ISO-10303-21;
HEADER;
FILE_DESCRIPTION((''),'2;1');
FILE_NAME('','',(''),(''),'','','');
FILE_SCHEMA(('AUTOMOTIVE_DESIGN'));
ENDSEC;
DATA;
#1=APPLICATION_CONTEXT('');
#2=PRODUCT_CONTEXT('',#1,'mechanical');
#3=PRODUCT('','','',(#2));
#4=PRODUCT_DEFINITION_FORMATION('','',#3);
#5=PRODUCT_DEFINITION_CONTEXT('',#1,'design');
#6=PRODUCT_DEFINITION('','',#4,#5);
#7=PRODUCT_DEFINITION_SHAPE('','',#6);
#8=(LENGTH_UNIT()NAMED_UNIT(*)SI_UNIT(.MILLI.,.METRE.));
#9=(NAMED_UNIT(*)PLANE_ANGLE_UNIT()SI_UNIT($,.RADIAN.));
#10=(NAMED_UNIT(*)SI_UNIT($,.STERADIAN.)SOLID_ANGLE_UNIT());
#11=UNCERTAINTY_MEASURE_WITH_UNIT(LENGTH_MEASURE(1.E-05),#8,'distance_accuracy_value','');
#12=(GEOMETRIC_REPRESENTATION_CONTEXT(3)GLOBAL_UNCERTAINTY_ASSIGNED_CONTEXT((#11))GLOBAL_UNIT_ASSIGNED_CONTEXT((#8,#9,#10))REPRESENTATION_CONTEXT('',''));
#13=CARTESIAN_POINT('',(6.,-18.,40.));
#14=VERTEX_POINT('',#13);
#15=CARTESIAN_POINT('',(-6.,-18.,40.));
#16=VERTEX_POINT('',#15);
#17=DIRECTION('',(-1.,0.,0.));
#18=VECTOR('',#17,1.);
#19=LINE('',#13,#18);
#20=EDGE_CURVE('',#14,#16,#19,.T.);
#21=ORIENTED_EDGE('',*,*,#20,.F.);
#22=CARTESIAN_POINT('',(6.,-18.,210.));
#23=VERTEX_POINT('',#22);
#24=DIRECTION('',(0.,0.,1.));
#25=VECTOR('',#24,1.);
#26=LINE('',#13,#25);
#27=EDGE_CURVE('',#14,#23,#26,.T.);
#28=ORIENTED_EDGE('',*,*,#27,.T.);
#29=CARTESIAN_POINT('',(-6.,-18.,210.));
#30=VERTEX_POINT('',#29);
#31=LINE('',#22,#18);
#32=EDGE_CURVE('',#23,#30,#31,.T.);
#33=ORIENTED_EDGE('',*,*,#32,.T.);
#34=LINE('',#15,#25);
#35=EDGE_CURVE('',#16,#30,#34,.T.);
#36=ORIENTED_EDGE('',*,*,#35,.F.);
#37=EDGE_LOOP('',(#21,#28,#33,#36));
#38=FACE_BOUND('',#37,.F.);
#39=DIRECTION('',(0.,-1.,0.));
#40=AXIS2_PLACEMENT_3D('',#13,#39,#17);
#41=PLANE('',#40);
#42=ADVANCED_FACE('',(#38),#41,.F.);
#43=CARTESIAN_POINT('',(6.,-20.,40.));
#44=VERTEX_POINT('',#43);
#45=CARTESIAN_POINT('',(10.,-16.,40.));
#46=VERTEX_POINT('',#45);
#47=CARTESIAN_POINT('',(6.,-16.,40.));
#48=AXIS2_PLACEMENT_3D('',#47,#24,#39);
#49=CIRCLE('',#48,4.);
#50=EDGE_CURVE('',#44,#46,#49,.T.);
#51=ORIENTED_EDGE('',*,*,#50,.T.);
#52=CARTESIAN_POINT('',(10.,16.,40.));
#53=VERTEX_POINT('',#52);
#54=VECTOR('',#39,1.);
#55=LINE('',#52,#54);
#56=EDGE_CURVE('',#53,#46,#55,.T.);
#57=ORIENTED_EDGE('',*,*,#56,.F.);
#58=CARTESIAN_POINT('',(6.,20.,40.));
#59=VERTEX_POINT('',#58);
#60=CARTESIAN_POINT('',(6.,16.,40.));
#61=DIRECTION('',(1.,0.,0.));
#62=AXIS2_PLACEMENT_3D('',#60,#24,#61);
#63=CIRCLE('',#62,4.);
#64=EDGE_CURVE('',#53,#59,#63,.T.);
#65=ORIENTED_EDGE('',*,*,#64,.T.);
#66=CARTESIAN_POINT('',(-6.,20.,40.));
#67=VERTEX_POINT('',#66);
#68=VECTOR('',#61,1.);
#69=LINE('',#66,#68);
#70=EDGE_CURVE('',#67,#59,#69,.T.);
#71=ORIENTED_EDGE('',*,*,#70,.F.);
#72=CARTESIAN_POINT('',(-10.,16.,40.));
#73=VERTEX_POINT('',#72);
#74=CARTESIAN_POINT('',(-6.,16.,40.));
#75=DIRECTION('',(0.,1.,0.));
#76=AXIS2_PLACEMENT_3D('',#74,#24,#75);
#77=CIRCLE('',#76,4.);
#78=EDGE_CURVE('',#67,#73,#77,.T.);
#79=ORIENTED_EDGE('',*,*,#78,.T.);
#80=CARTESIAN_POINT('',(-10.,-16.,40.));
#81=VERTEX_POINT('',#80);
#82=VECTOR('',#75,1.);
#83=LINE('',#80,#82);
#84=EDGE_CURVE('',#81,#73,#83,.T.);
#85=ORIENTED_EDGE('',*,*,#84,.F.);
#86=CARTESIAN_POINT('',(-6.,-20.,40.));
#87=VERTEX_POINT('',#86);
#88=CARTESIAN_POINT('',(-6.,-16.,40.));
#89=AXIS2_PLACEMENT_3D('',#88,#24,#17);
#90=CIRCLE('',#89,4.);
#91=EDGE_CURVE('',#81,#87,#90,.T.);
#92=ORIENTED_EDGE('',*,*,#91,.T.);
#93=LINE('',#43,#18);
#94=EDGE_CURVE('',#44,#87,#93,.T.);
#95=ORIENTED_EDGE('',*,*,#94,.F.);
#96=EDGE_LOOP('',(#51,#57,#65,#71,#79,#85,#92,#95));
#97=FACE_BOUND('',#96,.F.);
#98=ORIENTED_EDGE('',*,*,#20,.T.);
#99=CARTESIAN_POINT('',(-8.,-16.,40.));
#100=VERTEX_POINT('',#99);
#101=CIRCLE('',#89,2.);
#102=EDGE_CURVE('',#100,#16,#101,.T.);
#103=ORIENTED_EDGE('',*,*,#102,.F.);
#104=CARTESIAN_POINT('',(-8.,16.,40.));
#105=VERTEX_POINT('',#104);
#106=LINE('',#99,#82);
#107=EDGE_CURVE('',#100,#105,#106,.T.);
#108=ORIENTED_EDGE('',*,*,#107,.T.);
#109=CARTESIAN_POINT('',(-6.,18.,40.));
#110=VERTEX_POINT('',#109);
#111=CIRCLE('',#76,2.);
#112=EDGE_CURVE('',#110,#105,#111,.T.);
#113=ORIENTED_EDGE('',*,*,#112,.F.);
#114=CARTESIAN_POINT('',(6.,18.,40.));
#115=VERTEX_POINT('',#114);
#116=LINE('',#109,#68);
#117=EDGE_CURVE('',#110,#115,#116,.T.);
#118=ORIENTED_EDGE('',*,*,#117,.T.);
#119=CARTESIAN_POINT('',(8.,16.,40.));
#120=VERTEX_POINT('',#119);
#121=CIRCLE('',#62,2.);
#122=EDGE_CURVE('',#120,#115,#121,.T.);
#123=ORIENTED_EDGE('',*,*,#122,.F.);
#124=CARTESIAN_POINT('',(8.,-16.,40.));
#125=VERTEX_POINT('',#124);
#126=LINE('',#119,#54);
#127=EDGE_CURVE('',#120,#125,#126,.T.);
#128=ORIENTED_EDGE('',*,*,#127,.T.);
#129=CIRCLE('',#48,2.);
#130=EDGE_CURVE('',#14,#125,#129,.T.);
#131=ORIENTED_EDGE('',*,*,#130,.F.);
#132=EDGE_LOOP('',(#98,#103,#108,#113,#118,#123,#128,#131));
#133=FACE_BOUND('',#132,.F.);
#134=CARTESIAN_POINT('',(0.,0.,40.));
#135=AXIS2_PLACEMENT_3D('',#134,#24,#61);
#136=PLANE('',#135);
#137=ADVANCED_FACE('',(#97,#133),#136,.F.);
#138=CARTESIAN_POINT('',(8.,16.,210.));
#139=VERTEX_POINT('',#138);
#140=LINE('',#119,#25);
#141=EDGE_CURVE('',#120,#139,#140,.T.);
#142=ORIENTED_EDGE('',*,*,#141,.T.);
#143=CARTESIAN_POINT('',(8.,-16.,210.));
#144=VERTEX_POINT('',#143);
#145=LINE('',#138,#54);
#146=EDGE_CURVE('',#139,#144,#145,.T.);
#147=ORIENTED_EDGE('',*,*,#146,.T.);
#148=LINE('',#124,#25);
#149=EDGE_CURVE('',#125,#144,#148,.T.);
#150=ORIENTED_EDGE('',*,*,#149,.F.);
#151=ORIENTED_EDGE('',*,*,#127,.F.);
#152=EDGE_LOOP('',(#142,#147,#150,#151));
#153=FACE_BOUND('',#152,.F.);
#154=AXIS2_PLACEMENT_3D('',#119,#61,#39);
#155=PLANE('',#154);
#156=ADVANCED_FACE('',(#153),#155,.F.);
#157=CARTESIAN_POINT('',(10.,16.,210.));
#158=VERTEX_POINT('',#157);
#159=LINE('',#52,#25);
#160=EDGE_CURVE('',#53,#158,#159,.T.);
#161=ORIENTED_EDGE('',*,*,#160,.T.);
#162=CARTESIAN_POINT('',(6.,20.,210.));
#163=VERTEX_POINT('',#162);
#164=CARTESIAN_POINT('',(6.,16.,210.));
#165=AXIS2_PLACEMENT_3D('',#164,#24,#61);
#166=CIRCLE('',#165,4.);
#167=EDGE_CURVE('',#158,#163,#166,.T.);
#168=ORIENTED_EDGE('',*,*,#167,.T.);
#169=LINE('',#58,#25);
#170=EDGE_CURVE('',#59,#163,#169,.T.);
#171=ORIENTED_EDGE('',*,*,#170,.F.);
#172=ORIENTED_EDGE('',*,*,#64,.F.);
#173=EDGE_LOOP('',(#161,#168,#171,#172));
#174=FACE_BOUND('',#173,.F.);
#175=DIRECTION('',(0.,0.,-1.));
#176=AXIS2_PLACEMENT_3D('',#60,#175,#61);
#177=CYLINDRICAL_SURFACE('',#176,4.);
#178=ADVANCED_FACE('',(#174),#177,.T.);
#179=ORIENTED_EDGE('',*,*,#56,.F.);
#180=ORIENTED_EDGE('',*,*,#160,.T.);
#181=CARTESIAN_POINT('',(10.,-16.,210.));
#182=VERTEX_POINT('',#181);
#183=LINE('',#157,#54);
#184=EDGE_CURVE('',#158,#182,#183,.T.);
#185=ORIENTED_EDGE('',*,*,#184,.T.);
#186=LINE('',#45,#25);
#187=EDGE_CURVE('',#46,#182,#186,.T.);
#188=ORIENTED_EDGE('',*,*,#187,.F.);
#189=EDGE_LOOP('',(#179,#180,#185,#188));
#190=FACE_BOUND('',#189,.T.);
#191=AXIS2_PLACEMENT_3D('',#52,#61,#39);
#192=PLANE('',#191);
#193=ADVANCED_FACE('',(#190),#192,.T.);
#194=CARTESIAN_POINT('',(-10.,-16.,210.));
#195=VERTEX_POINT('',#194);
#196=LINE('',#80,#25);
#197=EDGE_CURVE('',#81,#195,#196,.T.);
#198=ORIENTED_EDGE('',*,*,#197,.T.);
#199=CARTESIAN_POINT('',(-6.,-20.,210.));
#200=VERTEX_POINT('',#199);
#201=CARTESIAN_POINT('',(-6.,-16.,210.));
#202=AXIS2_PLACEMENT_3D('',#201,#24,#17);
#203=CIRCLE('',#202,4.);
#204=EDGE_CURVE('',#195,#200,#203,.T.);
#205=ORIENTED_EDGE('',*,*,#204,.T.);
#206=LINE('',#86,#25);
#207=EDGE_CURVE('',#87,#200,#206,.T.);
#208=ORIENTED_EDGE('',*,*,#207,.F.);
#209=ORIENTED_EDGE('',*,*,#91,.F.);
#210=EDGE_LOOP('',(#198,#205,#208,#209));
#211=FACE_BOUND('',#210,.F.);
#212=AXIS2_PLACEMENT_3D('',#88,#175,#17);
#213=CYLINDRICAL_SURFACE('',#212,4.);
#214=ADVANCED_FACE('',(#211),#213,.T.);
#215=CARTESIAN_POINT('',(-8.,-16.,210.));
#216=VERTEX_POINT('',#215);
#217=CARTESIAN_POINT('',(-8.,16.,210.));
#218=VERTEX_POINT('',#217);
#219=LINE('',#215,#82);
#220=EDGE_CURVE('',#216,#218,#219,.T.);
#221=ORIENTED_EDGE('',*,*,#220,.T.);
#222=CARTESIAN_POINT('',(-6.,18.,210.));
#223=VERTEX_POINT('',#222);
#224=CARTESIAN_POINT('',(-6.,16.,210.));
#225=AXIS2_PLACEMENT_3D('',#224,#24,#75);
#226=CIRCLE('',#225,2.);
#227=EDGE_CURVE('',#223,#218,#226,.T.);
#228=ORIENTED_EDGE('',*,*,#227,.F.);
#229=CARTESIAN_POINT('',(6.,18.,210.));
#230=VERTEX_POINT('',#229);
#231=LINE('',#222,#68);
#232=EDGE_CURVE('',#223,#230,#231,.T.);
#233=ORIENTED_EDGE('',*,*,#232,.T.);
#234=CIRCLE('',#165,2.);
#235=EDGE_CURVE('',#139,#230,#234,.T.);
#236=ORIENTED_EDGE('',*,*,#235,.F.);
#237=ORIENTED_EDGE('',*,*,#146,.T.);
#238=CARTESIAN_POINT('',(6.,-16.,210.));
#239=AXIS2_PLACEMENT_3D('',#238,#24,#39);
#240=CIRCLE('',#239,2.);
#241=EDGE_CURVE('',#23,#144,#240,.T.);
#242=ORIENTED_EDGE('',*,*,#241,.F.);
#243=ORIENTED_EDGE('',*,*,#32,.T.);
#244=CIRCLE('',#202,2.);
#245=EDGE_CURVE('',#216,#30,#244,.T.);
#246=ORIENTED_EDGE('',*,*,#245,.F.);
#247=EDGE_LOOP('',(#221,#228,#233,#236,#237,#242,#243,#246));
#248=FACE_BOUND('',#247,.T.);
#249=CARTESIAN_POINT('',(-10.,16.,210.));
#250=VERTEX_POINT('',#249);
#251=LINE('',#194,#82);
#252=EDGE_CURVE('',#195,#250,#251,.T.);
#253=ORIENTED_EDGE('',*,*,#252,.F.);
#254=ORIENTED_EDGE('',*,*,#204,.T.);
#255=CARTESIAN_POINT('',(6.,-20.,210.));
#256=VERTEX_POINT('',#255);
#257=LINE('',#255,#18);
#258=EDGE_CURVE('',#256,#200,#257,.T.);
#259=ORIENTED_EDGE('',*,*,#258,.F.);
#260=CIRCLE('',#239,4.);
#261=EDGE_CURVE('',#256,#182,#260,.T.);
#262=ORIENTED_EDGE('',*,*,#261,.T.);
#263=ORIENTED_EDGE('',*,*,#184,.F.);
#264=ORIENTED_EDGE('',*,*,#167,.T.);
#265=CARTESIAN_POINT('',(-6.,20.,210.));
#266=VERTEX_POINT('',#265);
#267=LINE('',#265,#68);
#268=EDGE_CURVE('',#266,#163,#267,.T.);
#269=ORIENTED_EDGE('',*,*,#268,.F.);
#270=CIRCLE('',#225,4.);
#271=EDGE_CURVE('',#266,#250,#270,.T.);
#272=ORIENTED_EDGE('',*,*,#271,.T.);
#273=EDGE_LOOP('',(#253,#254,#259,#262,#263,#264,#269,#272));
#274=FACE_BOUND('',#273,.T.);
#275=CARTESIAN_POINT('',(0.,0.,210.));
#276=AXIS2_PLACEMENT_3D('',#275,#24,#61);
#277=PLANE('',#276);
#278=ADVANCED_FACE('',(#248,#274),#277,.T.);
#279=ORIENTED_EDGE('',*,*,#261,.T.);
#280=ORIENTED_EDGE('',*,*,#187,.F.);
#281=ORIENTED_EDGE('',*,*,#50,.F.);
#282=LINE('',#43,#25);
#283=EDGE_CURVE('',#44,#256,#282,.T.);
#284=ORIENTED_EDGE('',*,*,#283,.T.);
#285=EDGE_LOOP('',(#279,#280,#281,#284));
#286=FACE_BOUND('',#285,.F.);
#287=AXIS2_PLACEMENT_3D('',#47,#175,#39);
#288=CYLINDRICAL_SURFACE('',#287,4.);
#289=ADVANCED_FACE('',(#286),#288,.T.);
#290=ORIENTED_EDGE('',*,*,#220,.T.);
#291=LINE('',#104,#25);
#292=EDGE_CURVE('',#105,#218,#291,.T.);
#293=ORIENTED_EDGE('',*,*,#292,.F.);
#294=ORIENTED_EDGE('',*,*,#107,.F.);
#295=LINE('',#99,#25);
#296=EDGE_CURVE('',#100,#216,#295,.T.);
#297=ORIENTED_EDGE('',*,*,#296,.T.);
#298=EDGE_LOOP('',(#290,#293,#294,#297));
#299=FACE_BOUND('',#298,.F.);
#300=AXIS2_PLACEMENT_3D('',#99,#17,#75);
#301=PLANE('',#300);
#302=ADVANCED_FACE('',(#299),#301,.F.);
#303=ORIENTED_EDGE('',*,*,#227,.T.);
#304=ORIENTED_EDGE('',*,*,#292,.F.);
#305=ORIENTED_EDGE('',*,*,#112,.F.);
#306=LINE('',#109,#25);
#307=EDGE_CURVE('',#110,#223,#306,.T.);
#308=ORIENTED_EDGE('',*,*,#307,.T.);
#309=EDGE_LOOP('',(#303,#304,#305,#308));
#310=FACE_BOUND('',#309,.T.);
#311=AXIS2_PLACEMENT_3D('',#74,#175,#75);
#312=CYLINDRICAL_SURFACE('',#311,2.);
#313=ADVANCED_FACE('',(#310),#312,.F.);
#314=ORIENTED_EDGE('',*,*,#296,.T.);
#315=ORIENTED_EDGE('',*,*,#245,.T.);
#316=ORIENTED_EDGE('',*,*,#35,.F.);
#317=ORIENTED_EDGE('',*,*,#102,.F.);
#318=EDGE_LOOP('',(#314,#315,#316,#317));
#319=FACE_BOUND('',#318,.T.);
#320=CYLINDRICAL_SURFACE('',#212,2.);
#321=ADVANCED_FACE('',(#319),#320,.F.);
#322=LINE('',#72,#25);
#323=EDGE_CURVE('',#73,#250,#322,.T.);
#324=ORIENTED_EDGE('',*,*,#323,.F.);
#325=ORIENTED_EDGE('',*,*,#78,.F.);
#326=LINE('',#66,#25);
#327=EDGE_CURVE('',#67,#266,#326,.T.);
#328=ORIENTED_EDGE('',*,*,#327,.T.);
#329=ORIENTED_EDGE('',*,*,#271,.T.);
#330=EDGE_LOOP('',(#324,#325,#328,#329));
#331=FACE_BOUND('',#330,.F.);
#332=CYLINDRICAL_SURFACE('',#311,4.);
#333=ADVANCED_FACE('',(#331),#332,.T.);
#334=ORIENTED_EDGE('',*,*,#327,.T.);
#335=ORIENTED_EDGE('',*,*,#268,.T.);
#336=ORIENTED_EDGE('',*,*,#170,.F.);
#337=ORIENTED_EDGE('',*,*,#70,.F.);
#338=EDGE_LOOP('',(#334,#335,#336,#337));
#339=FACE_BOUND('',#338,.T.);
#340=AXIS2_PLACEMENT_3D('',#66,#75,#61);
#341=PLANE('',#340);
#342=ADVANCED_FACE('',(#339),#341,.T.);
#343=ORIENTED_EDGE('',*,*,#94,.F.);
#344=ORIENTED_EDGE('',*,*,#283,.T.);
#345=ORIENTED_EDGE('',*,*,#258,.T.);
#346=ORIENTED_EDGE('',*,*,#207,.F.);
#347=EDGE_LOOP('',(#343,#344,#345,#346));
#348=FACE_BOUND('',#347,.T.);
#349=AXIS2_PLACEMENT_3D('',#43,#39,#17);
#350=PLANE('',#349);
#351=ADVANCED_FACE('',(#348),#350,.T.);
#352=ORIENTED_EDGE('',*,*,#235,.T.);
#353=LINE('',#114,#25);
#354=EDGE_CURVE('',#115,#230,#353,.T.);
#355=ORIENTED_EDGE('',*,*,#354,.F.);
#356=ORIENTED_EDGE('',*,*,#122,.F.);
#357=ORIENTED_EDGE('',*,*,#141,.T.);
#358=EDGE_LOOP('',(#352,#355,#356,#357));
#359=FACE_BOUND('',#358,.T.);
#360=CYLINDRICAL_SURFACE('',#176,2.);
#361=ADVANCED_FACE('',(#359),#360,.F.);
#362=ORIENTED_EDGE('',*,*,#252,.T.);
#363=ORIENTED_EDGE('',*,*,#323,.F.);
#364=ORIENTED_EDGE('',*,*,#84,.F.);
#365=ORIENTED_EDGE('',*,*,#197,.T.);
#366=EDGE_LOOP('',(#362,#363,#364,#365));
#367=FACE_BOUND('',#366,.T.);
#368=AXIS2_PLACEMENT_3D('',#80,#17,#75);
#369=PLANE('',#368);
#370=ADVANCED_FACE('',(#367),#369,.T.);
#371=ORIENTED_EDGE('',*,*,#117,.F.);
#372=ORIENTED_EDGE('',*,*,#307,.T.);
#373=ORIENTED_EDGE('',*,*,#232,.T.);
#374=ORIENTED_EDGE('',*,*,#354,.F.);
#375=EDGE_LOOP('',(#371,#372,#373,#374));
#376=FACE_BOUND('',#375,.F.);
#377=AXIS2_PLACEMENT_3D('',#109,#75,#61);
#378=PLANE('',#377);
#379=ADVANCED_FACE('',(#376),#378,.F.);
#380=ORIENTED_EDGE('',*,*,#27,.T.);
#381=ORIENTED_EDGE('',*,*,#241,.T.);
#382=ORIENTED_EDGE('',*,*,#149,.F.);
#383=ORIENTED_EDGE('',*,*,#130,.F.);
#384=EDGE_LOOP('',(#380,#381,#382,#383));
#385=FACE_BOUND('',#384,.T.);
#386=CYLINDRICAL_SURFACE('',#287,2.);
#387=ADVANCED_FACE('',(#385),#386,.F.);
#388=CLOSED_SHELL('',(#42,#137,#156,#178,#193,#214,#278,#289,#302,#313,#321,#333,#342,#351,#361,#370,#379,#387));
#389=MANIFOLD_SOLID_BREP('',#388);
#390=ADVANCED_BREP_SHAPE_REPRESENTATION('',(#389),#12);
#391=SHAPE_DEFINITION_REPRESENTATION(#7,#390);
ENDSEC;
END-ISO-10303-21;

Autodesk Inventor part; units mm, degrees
ref_plane "Start Plane" through (0, 0, 40) normal (0, 0, 1) x (1, 0, 0)
ref_plane "End Plane" through (0, 0, 210) normal (0, 0, 1) x (1, 0, 0)
sketch "Sketch" plane through (0, 0, 0) normal (0, 0, 1) x (1, 0, 0)
  line L0 (-10, -16) -> (-10, 16)
  line L1 (-6, 20) -> (6, 20)
  line L2 (10, 16) -> (10, -16)
  line L3 (6, -20) -> (-6, -20)
  arc A0 (-10, -16) -> (-6, -20) centre (-6, -16) ccw
  arc A1 (10, 16) -> (6, 20) centre (6, 16) ccw
  arc A2 (-6, 20) -> (-10, 16) centre (-6, 16) ccw
  arc A3 (6, -20) -> (10, -16) centre (6, -16) ccw
  arc A4 (-6, 18) -> (-8, 16) centre (-6, 16) ccw
  line L4 (-6, 18) -> (6, 18)
  arc A5 (8, 16) -> (6, 18) centre (6, 16) ccw
  line L5 (8, 16) -> (8, -16)
  arc A6 (6, -18) -> (8, -16) centre (6, -16) ccw
  line L6 (6, -18) -> (-6, -18)
  arc A7 (-8, -16) -> (-6, -18) centre (-6, -16) ccw
  line L7 (-8, -16) -> (-8, 16)
  line L8 (0, 29.1598) -> (0, -29.1598) construction
  line L9 (-15.1598, 0) -> (15.1598, 0) construction
  dimension "d7" = 4
  dimension "d9" = 20
  dimension "d11" = 40
  dimension "d12" = 2
  dimension "d15" = 10
  dimension "d16" = 20
extrude "Body" add sketch "Sketch" along normal up to surface (170 mm away) from surface at 40
sketch "Sketch3" plane through (0, 0, 0) normal (0, 0, 1) x (1, 0, 0)
  line L0 (0, 0) -> (10, 0)
ref_plane "Work Plane3" through (0, 0, 0) normal (0, -1, 0) x (1, 0, 0)
ref_plane "Work Plane4" through (6, -520, 40) normal (0, 0, -1) x (-1, 0, 0)
split "Split1" plane through (6, -520, 40) removes the side toward (0, 0, -1)
ref_plane "Work Plane5" through (6, 20, 210) normal (0, 0, 1) x (1, 0, 0)
split "Split2" plane through (6, 20, 210) removes the side toward (0, 0, 1)
sketch "Sketch4" plane through (0, 0, 0) normal (0, -1, 0) x (1, 0, 0)
  line L0 (-2, 40) -> (12, 40) projected
  line L1 (-2, 210) -> (12, 210) projected
  dimension "d18" = 170
equation "\"d7\" = G_IR"
equation "\"d9\" = G_W"
equation "\"d11\" = G_H"
equation "\"d12\" = G_T"
equation "\"d15\" = 0.5 * d9"
equation "\"d16\" = 0.5 * d11"
equation "\"d3\" = G_L"
equation "\"G_W\" = 20"
equation "\"G_H\" = 40"
equation "\"G_T\" = 2"
equation "\"G_IR\" = 4"
equation "\"G_L\" = d18"
properties part number "ISO 10799-2 - 40x20x2 - 170" material "Steel, Mild"
